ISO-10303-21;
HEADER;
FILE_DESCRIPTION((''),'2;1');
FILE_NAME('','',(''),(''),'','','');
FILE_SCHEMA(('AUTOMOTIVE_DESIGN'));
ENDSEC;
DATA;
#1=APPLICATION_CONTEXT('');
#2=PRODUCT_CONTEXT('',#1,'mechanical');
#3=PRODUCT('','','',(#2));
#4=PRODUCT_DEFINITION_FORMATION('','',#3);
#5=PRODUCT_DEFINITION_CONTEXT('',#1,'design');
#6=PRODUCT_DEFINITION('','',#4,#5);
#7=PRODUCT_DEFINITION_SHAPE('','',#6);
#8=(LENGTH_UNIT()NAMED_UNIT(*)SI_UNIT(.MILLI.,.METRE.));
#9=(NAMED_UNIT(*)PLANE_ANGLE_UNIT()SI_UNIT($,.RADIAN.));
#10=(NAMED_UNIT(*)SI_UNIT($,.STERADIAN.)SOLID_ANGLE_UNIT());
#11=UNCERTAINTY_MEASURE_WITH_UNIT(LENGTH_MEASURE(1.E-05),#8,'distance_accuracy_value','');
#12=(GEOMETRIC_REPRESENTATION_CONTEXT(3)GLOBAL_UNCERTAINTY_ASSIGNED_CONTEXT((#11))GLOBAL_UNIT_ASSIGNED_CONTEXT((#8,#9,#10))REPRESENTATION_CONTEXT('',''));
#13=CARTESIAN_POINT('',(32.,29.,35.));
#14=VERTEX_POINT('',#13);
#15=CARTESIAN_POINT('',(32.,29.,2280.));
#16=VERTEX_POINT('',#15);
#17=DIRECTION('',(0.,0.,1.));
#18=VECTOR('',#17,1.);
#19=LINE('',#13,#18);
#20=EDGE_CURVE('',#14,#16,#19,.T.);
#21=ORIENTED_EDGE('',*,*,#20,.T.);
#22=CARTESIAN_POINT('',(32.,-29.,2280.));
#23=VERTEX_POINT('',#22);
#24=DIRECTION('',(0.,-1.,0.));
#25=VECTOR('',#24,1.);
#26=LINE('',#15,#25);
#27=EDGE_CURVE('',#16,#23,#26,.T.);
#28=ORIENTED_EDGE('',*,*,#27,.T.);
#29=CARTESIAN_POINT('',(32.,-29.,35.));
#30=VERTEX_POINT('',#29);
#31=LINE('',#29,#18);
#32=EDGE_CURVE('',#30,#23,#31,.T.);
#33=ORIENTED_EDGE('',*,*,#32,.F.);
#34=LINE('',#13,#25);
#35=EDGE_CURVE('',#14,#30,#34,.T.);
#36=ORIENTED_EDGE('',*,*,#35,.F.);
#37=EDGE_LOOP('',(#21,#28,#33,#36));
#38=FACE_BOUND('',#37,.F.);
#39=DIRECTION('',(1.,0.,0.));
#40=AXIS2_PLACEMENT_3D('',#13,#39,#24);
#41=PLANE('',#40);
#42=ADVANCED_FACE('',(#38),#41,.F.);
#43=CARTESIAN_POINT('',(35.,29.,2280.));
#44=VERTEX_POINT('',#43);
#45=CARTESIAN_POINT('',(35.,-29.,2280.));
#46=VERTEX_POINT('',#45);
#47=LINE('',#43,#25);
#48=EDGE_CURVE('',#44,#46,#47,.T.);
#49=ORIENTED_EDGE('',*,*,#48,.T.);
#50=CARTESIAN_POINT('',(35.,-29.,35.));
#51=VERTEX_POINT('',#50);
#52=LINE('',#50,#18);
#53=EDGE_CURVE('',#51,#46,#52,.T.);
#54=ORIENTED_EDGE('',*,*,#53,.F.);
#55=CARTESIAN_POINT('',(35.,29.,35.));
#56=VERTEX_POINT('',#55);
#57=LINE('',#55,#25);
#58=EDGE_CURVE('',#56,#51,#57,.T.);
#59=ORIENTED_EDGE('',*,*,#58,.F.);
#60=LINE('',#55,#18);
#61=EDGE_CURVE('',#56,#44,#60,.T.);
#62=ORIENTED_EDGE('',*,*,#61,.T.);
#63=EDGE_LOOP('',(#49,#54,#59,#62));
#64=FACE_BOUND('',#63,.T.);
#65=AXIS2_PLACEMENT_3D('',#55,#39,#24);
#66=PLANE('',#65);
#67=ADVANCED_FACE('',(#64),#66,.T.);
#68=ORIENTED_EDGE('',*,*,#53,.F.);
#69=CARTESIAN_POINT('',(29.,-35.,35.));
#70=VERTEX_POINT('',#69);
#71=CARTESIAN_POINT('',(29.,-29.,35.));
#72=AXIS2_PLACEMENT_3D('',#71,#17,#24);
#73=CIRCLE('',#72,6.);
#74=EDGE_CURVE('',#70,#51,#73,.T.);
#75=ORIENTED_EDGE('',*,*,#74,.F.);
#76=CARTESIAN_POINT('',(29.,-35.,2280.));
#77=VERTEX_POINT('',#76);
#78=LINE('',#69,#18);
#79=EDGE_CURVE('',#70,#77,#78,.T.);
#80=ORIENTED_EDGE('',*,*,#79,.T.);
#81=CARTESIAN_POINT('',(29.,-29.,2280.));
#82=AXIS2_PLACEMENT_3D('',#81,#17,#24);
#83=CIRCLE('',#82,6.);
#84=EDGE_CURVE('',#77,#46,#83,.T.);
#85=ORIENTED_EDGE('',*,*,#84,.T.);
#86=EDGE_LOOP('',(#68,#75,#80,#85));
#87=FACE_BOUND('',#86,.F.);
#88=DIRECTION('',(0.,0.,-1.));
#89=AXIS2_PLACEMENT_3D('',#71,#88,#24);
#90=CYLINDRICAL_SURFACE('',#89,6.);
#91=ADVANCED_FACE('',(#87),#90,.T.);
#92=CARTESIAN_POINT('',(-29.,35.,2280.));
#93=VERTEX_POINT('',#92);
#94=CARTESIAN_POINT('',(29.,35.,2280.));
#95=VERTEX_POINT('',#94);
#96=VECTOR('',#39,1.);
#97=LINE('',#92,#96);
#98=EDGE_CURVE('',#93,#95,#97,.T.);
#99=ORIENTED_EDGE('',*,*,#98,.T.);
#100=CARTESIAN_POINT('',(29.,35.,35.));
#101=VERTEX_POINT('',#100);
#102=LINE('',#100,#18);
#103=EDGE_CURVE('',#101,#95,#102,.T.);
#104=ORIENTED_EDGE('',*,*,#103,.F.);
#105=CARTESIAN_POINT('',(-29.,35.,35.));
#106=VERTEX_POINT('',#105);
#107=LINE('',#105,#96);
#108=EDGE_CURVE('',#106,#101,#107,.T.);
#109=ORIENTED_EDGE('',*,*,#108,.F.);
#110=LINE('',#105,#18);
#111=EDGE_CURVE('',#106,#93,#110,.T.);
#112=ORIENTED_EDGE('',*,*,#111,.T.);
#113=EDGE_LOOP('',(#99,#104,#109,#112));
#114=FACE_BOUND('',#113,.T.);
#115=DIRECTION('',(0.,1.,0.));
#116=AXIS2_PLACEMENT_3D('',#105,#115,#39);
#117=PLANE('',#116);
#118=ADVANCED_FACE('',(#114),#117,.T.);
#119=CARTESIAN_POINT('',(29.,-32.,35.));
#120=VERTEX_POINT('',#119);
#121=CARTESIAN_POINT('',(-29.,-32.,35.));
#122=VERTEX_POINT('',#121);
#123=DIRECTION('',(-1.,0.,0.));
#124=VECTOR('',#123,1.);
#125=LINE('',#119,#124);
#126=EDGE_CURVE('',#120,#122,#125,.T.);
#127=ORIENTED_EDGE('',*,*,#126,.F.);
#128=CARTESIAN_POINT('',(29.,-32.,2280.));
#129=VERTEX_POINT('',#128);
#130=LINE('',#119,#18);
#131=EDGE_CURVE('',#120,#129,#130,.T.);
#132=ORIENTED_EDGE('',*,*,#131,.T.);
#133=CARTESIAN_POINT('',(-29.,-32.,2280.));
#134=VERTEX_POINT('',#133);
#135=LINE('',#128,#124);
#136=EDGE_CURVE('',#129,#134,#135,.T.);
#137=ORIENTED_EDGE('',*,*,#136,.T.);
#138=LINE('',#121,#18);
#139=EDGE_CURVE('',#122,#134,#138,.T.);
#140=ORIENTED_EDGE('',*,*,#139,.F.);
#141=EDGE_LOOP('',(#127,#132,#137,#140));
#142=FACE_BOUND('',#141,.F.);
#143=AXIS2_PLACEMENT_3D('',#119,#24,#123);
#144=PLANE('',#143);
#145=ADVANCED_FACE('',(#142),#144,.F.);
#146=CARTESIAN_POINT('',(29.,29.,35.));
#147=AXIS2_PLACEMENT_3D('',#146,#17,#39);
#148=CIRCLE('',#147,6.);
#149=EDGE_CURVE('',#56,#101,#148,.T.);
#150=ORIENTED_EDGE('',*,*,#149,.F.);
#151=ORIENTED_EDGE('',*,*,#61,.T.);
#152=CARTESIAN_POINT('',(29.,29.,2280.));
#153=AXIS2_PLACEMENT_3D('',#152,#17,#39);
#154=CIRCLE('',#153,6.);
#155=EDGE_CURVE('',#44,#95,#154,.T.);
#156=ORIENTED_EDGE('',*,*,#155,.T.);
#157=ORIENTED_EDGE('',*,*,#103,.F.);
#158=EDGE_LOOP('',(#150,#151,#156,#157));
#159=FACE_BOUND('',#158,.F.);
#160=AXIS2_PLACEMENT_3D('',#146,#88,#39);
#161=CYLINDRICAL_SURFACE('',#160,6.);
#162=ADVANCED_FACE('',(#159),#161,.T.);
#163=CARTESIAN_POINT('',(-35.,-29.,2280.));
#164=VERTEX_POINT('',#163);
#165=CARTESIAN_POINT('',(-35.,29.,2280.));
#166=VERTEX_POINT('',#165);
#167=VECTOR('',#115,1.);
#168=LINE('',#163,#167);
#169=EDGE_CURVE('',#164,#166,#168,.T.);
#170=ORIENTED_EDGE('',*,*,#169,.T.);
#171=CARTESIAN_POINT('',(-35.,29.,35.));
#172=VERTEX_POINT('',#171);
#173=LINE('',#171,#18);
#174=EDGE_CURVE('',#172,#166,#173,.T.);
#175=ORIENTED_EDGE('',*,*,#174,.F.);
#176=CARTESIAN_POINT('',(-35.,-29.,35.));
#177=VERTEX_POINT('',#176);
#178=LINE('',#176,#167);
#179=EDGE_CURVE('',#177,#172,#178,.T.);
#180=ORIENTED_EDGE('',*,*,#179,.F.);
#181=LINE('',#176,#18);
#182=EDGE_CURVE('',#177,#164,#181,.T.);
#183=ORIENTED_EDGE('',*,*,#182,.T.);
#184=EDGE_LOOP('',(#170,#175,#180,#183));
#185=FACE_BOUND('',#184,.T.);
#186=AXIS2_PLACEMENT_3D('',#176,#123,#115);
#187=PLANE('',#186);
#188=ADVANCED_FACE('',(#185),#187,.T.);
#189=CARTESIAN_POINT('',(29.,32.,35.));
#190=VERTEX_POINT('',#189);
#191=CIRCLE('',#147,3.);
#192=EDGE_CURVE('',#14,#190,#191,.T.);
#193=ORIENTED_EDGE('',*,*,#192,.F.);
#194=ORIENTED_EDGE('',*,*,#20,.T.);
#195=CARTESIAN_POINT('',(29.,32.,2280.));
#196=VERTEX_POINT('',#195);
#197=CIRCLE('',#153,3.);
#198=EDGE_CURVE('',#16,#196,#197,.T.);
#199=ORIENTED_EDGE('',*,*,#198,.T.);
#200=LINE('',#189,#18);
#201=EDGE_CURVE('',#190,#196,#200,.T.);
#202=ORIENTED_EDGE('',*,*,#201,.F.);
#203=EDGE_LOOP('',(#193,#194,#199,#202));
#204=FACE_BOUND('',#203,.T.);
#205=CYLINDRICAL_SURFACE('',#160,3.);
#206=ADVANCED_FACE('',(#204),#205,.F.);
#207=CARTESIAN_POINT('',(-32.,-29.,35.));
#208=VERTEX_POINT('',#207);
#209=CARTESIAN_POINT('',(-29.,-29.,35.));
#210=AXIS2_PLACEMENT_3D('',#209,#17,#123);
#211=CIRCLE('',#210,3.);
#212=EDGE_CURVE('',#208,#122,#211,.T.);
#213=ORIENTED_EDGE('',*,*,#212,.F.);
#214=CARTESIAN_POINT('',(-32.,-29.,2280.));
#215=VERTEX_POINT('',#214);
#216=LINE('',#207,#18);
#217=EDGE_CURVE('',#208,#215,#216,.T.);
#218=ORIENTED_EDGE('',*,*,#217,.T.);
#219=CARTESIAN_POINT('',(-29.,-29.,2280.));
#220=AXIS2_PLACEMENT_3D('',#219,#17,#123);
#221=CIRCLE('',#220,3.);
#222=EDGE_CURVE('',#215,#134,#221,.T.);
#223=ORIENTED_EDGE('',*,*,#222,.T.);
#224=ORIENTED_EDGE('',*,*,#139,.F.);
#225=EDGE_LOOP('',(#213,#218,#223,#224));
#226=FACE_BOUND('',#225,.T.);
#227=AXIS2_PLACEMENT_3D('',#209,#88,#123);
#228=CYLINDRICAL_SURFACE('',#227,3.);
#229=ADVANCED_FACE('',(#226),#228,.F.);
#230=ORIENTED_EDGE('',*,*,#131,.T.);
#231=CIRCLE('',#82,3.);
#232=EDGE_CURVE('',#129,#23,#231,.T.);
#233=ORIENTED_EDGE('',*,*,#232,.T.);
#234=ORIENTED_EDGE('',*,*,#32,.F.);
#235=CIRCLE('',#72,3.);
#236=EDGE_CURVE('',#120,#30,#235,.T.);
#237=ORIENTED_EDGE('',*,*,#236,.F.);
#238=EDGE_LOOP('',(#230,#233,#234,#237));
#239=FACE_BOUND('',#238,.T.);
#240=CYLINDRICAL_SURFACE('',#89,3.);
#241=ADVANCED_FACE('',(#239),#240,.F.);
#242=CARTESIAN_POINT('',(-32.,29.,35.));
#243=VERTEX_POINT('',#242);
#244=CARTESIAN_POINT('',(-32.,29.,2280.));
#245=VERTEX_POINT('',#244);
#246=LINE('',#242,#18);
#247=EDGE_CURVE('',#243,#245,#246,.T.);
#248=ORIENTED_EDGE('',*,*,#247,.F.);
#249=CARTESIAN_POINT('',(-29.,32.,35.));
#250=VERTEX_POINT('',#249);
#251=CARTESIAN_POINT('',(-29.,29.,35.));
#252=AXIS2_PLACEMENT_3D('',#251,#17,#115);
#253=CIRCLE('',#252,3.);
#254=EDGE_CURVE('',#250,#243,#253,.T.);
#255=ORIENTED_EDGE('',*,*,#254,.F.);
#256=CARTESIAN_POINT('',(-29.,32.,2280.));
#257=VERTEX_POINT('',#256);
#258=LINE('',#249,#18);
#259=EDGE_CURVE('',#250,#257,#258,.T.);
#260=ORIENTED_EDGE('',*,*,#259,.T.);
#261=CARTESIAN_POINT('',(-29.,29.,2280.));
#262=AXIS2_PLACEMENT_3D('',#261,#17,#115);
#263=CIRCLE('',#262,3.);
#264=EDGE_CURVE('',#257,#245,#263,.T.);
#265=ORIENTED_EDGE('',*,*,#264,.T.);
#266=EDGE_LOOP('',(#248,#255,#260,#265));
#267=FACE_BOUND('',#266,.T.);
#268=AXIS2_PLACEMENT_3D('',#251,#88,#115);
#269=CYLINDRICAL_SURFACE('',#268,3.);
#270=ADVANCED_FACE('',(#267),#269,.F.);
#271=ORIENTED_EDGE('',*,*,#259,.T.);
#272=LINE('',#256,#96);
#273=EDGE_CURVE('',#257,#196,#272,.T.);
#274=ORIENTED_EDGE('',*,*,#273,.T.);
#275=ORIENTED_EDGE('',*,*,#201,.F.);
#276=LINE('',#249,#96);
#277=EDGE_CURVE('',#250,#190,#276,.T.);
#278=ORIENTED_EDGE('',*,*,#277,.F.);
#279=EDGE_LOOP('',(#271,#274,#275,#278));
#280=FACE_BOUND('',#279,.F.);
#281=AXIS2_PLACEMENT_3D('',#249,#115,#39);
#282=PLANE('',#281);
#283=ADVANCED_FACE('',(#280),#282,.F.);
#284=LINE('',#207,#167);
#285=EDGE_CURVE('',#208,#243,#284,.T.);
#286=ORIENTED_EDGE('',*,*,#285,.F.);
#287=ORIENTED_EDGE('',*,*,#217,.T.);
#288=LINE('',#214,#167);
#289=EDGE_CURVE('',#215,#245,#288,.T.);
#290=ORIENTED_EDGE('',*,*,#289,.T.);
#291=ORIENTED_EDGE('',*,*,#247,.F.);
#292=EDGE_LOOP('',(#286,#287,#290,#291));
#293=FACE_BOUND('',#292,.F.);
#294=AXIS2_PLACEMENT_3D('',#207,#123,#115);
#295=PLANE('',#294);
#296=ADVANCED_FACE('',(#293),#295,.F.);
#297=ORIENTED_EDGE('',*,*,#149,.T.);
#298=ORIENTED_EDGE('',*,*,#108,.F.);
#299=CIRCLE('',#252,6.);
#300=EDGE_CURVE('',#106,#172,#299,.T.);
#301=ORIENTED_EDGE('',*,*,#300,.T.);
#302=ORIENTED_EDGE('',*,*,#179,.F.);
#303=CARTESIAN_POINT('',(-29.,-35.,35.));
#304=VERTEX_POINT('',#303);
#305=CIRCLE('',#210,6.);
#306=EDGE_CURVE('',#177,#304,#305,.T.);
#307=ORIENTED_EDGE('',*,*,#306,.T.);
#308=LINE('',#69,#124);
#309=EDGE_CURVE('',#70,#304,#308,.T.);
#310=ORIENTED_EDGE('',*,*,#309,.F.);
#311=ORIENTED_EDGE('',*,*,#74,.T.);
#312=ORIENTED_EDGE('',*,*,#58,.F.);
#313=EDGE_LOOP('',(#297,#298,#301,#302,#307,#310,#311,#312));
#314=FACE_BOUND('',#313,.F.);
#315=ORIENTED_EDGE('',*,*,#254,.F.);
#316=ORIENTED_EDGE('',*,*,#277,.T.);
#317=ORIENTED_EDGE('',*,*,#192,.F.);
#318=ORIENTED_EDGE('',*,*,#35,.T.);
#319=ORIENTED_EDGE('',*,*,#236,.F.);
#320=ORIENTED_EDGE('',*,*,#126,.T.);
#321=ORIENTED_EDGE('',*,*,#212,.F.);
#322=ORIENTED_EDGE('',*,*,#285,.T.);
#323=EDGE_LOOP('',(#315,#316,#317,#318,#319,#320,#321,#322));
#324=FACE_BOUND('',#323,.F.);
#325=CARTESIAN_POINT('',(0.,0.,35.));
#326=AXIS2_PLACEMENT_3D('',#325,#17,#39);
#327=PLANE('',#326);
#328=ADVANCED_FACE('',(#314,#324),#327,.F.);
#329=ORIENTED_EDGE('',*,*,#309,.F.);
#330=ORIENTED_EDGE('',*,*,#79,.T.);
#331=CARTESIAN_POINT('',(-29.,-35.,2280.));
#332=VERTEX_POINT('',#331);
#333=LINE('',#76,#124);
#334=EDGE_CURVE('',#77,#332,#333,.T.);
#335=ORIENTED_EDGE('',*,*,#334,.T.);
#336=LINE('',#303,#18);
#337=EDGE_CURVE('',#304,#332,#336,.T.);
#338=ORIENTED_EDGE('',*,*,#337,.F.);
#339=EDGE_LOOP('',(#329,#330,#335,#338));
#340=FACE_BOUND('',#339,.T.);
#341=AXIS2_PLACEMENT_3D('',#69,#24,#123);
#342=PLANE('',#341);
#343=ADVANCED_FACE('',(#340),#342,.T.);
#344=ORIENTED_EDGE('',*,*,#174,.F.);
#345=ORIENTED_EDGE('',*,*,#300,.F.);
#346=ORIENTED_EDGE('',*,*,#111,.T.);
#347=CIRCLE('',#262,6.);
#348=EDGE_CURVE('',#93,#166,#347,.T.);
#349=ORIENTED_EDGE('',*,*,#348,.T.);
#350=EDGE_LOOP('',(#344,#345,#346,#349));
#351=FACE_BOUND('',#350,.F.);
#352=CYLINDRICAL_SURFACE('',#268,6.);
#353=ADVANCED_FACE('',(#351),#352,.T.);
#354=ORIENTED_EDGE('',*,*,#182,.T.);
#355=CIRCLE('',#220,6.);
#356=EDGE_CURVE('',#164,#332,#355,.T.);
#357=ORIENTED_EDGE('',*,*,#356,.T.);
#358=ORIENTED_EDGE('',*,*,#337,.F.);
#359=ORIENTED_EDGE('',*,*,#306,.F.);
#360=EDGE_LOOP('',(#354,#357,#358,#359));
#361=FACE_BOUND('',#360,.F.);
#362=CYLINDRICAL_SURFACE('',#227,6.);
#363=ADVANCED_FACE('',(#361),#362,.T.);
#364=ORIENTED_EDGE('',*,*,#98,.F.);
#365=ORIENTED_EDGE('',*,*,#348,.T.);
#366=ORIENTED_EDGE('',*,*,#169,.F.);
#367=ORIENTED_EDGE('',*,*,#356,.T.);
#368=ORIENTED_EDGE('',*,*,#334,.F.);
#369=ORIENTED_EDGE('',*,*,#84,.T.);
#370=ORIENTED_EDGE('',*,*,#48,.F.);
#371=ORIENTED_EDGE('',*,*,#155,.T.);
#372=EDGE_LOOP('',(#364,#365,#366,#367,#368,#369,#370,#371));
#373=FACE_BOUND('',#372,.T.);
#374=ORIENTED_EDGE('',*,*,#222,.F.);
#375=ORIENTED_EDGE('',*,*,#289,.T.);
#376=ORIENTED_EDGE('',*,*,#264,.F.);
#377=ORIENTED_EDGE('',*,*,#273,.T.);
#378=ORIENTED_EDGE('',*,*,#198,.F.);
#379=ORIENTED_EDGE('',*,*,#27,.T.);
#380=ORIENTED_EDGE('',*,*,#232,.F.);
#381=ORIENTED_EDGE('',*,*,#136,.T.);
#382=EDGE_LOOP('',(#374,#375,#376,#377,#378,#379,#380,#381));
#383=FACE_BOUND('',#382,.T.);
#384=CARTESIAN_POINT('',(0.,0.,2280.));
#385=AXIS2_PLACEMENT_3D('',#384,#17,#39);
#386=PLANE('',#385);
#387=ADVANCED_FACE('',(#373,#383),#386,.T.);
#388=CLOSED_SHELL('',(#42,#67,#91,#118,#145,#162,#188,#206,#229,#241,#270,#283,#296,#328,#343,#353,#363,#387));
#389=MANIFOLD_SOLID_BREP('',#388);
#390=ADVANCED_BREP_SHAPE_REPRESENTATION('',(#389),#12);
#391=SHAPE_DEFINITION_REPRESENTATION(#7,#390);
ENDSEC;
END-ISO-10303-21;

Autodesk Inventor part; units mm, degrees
ref_plane "Plano inicial" through (0, 0, 35) normal (0, 0, 1) x (1, 0, 0)
ref_plane "Plano final" through (0, 0, 2280) normal (0, 0, 1) x (1, 0, 0)
sketch "Boceto" plane through (0, 0, 0) normal (0, 0, 1) x (1, 0, 0)
  line L0 (-35, -29) -> (-35, 29)
  line L1 (-29, 35) -> (29, 35)
  line L2 (35, 29) -> (35, -29)
  line L3 (29, -35) -> (-29, -35)
  arc A0 (-35, -29) -> (-29, -35) centre (-29, -29) ccw
  arc A1 (35, 29) -> (29, 35) centre (29, 29) ccw
  arc A2 (-29, 35) -> (-35, 29) centre (-29, 29) ccw
  arc A3 (29, -35) -> (35, -29) centre (29, -29) ccw
  arc A4 (-29, 32) -> (-32, 29) centre (-29, 29) ccw
  line L4 (-29, 32) -> (29, 32)
  arc A5 (32, 29) -> (29, 32) centre (29, 29) ccw
  line L5 (32, 29) -> (32, -29)
  arc A6 (29, -32) -> (32, -29) centre (29, -29) ccw
  line L6 (29, -32) -> (-29, -32)
  arc A7 (-32, -29) -> (-29, -32) centre (-29, -29) ccw
  line L7 (-32, -29) -> (-32, 29)
  line L8 (0, 50.7397) -> (0, -50.7397) construction
  line L9 (-50.7397, 0) -> (50.7397, 0) construction
  dimension "d7" = 6
  dimension "d9" = 70
  dimension "d11" = 70
  dimension "d12" = 3
  dimension "d15" = 35
  dimension "d16" = 35
extrude "Cuerpo" add sketch "Boceto" along normal up to surface (2245 mm away) from surface at 35
sketch "Sketch3" plane through (0, 0, 0) normal (0, 0, 1) x (1, 0, 0)
  line L0 (0, 0) -> (10, 0)
ref_plane "Work Plane3" through (0, 0, 0) normal (0, -1, 0) x (1, 0, 0)
sketch "Sketch4" plane through (0, 0, 0) normal (0, -1, 0) x (1, 0, 0)
  line L0 (-2, 35) -> (12, 35)
  line L1 (-2, 2280) -> (12, 2280)
  dimension "d18" = 2245
ref_plane "Plano de trabajo4" through (500, 29, 35) normal (0, 0, -1) x (-1, 0, 0)
split "Dividir1" plane through (500, 29, 35) removes the side toward (0, 0, -1)
ref_plane "Plano de trabajo5" through (0, 29, 2280) normal (0, 0, 1) x (1, 0, 0)
split "Dividir2" plane through (0, 29, 2280) removes the side toward (0, 0, 1)
equation "\"d7\" = G_IR"
equation "\"d9\" = G_W"
equation "\"d11\" = G_H"
equation "\"d12\" = G_T"
equation "\"d15\" = 0.5 * d9"
equation "\"d16\" = 0.5 * d11"
equation "\"d3\" = G_L"
equation "\"G_W\" = 70"
equation "\"G_H\" = 70"
equation "\"G_T\" = 3"
equation "\"G_IR\" = 6"
equation "\"G_L\" = d18"
equation "\"G_OFFSET_START\" = -35"
equation "\"G_OFFSET_END\" = -35"
equation "\"d13\" = -G_OFFSET_START"
equation "\"B_L\" = 2315"
properties part number "ISO 10799-2 - 70x70x3 - 2245" material "Galvanizado catalogo 2"
